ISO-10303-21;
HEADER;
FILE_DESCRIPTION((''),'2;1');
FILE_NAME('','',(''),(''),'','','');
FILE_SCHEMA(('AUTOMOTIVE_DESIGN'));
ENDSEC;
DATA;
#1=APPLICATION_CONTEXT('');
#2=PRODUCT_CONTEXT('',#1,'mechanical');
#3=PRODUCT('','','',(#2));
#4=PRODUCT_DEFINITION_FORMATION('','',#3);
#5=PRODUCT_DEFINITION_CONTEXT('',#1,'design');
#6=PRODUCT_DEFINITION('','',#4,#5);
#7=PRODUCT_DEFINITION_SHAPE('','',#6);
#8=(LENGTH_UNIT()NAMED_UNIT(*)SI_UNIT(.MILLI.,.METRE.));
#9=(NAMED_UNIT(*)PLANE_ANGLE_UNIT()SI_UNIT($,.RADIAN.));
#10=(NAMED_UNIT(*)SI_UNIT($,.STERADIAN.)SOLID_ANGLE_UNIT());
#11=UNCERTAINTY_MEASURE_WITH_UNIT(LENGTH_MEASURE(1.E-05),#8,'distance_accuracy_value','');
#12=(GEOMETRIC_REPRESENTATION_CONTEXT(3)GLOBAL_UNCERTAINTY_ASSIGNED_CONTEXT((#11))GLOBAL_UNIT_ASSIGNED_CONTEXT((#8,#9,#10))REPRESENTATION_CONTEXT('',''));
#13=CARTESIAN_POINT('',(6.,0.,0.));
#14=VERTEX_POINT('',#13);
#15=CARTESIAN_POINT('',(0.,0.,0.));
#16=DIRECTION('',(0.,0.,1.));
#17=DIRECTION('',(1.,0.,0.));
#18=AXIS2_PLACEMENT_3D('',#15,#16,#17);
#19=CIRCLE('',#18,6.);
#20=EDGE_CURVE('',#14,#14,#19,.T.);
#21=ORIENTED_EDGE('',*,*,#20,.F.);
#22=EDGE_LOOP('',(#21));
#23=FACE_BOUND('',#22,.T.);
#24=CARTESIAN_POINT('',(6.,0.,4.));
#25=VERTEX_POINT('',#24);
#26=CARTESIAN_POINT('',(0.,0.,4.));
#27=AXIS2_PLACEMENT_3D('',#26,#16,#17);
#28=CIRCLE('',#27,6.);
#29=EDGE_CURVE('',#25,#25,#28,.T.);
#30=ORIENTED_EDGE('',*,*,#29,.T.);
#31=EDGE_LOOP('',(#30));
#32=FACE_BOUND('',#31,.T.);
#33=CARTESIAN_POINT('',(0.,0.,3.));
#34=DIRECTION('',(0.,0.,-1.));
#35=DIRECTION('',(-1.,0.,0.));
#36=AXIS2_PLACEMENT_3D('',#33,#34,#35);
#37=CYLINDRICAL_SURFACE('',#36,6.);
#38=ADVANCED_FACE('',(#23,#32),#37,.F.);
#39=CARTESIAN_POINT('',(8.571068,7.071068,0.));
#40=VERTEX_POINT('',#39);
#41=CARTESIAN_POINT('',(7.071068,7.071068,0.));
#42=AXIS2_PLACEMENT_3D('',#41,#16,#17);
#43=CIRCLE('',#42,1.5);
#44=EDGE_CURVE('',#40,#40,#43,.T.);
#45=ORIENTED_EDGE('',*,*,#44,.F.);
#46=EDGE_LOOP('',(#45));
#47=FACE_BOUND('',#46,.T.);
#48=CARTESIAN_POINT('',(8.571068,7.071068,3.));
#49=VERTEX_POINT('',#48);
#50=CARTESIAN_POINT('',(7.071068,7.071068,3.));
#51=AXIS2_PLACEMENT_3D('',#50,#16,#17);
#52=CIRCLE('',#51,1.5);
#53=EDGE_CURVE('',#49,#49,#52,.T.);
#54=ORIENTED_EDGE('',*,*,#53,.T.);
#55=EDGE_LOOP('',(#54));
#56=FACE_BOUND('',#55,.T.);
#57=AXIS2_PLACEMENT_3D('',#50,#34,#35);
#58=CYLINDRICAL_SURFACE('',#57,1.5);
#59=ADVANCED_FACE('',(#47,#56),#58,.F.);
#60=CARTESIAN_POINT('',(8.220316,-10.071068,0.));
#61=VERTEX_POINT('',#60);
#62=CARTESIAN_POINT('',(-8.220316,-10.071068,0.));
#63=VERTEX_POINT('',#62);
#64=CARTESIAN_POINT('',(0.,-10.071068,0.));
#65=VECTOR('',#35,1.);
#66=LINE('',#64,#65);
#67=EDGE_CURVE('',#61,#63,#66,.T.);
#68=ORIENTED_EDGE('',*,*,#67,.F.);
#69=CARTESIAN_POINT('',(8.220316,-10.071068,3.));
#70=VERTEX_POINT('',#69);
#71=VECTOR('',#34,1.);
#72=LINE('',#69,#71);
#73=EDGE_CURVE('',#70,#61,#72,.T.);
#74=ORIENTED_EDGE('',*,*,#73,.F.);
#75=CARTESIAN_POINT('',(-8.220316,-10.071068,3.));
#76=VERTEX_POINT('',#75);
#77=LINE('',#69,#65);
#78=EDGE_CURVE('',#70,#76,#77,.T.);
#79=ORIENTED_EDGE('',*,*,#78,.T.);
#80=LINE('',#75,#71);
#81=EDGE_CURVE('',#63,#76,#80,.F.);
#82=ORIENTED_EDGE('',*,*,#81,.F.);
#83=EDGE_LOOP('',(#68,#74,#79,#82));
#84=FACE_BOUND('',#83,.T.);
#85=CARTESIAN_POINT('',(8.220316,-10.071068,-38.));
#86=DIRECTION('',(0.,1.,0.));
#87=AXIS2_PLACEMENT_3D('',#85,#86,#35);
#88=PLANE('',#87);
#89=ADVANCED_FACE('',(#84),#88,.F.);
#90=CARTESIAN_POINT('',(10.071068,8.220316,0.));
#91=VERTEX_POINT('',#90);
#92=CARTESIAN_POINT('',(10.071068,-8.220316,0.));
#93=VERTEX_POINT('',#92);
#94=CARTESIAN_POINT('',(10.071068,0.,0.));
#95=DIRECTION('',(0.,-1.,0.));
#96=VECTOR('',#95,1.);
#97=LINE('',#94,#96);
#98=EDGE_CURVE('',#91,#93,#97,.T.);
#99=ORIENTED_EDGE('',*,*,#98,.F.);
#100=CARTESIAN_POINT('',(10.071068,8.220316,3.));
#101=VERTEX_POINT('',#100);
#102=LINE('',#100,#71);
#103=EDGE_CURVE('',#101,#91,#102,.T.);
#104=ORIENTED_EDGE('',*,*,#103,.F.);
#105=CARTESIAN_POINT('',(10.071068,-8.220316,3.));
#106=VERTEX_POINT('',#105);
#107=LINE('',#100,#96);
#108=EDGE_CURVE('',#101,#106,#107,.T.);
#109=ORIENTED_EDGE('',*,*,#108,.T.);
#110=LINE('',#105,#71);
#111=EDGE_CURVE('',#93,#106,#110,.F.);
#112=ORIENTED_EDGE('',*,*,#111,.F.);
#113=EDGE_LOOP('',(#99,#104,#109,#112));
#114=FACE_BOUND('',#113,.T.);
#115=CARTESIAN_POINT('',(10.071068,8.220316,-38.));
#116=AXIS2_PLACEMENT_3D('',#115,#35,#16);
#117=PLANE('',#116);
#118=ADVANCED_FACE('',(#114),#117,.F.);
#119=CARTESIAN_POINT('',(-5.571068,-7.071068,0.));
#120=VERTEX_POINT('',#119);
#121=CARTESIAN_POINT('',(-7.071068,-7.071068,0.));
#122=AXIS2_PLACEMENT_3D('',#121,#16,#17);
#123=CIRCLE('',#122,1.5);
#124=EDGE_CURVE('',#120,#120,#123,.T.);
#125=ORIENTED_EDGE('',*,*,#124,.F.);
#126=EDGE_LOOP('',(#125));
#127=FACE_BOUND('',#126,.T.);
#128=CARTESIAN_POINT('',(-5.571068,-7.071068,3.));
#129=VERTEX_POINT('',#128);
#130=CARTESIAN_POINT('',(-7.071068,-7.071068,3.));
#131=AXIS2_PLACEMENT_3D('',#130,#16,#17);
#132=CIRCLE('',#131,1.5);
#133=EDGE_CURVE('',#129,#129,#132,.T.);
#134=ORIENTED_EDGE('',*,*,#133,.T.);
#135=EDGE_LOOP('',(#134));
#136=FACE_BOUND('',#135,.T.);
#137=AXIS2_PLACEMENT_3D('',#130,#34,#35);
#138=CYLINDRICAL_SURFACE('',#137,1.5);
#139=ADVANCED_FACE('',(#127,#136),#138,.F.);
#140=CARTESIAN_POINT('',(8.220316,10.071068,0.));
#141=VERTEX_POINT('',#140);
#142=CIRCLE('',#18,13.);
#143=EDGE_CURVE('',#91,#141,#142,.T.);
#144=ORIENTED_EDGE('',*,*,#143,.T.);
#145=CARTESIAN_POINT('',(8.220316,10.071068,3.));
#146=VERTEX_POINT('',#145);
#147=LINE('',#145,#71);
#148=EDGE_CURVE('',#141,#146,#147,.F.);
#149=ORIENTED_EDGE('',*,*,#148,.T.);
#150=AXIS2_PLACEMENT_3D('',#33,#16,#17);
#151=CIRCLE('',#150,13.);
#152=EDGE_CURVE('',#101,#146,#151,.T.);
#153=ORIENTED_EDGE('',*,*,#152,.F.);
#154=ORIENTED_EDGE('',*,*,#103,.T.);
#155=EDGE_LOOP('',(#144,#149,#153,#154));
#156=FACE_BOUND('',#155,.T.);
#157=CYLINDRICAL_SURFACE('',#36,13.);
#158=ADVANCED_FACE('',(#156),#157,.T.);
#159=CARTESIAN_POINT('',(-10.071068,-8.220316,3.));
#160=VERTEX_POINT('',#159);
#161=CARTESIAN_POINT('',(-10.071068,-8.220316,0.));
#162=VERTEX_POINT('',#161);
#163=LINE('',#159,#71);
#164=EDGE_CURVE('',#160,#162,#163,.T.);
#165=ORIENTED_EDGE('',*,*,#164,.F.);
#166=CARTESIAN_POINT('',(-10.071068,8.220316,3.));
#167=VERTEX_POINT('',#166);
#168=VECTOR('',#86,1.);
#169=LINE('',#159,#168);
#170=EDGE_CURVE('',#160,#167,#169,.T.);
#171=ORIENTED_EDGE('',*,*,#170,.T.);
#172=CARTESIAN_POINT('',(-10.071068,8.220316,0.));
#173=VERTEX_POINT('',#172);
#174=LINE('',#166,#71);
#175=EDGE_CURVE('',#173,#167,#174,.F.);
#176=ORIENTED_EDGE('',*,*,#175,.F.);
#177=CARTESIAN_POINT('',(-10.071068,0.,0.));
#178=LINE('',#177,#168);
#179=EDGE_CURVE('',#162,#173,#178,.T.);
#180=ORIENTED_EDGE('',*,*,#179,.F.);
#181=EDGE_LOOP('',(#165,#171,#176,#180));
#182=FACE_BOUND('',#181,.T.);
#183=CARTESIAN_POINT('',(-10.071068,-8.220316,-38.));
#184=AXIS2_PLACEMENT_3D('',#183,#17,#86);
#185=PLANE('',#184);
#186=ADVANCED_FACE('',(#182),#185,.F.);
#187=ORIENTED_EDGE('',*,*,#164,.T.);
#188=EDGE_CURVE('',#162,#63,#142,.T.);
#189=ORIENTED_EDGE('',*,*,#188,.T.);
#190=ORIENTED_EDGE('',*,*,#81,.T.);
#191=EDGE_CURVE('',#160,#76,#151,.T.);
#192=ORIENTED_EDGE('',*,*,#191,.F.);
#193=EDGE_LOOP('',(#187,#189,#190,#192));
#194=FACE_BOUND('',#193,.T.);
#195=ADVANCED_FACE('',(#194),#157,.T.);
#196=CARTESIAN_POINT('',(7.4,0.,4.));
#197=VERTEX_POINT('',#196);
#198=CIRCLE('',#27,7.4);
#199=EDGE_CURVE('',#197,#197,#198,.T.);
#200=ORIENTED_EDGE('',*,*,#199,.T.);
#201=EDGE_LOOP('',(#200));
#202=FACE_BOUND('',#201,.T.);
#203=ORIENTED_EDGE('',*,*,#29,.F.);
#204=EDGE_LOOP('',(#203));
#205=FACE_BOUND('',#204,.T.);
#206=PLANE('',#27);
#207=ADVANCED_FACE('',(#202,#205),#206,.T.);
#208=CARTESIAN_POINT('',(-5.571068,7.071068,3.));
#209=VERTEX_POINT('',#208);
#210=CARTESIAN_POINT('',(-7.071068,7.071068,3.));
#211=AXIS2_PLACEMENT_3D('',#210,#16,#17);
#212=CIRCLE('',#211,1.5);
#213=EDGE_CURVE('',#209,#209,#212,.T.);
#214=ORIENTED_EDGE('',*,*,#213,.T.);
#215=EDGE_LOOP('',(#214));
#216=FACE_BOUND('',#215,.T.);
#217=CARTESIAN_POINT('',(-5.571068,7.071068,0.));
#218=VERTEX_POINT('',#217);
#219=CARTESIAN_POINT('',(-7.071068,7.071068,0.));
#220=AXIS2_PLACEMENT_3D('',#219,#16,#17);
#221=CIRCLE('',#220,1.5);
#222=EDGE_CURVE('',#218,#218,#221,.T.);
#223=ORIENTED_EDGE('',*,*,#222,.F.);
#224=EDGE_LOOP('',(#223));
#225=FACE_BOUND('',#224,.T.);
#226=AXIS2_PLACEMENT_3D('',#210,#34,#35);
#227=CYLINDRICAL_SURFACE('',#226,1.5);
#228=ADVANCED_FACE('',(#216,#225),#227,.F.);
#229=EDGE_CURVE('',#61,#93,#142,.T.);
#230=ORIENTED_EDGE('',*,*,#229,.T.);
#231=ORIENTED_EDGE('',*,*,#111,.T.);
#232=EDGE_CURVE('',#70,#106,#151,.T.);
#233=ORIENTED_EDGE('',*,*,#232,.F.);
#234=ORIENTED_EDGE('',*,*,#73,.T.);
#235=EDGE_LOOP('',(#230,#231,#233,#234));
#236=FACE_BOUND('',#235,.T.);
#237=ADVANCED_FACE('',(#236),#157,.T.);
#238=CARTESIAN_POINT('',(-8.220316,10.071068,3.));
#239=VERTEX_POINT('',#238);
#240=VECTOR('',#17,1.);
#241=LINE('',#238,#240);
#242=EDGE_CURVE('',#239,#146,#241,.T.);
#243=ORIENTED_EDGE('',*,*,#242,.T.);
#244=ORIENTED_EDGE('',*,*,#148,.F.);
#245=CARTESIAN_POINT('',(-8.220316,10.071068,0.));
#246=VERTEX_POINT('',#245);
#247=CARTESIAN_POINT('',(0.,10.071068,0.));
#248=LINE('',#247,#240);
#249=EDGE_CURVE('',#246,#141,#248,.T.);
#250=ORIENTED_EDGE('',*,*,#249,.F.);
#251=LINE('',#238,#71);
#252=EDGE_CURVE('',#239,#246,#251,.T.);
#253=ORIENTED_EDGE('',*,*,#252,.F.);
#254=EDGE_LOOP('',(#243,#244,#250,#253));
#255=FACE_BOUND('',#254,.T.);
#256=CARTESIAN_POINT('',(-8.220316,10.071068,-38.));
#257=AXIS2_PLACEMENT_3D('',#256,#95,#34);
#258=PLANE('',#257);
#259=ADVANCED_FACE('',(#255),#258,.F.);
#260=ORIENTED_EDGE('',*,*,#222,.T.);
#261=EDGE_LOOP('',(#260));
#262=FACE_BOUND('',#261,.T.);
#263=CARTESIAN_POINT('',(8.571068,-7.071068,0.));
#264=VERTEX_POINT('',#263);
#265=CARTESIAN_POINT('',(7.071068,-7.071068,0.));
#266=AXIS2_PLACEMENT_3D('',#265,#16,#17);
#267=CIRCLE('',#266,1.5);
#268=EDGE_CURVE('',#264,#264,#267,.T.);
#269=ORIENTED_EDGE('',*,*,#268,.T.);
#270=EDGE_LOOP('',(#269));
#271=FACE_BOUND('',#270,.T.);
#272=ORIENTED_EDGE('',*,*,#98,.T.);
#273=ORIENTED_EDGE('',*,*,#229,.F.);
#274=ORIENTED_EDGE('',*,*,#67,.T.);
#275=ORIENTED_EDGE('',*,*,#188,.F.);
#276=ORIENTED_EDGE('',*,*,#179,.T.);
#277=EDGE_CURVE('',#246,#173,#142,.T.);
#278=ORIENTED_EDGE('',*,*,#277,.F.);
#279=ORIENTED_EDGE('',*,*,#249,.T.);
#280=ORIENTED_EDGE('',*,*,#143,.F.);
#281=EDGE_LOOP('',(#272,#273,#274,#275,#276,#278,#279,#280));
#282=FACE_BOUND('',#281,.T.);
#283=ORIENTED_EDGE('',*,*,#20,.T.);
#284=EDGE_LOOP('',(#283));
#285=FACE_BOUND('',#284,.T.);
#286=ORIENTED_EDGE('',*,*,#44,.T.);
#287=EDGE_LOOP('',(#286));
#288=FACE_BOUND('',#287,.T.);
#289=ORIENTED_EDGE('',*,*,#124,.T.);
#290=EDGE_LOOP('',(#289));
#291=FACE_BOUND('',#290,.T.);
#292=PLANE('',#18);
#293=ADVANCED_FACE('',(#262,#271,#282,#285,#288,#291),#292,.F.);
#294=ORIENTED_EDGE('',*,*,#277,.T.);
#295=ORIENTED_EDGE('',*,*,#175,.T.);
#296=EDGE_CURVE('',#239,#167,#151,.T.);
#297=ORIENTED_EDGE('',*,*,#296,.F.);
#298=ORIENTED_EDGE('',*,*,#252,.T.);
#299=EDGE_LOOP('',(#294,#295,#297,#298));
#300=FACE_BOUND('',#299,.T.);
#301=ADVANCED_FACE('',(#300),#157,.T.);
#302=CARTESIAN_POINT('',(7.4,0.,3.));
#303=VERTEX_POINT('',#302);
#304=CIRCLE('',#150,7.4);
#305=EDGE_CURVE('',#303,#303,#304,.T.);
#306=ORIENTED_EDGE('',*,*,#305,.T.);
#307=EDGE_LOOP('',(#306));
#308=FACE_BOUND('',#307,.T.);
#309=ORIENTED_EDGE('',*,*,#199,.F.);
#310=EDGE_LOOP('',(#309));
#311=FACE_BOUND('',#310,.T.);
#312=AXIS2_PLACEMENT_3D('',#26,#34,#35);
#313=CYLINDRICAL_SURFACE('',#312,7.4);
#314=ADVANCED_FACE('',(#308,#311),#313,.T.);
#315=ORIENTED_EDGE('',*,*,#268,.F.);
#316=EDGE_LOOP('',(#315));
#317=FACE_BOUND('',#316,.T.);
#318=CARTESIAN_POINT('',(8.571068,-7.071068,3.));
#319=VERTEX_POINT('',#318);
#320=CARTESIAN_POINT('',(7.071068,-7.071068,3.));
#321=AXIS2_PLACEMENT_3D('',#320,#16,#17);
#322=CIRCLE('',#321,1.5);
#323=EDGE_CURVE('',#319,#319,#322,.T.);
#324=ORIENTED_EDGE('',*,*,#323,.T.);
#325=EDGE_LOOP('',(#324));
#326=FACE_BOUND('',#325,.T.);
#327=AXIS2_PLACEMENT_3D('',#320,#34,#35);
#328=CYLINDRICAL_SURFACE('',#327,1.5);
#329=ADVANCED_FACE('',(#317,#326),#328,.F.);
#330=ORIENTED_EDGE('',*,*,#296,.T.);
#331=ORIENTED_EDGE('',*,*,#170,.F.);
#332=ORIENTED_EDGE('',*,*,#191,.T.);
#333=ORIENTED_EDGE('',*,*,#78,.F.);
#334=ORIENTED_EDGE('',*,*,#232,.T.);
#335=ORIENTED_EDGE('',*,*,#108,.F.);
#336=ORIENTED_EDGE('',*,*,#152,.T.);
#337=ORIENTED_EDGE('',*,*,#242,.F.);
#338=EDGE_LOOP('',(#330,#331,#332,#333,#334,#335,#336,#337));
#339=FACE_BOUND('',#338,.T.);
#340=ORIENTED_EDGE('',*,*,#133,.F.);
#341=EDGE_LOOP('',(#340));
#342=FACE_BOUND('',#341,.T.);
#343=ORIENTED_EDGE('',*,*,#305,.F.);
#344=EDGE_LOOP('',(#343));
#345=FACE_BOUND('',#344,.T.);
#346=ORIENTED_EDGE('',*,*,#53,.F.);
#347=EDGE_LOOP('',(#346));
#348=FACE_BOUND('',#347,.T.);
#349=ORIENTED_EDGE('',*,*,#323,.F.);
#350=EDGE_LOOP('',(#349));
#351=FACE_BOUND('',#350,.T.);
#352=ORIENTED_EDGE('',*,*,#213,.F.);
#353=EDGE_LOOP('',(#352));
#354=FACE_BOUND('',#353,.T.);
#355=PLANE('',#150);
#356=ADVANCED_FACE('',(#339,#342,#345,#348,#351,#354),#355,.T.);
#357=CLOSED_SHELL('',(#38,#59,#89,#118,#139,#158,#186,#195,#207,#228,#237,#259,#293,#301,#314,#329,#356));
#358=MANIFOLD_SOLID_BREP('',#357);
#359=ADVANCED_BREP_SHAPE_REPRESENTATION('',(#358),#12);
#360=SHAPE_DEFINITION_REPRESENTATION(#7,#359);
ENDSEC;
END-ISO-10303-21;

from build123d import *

# Parameters (mm, degrees)
SKETCH_1_R          = 13
SKETCH_1_R_2        = 6
SKETCH_1_R_3        = 1.5
EXTRUDE_1_DEPTH     = 3
SKETCH_2_R          = 7.4
SKETCH_2_R_2        = 6
EXTRUDE_2_DEPTH     = 1
CUT_EXTRUDE_START   = -41
CUT_EXTRUDE_1_DEPTH = 41


with BuildPart() as part:
    # 草图1 → 凸台-拉伸1 (new body)
    with BuildSketch(Plane.XY):
        Circle(SKETCH_1_R)
        Circle(SKETCH_1_R_2, mode=Mode.SUBTRACT)
        with Locations((-7.071067812, 7.071067812)):
            Circle(SKETCH_1_R_3, mode=Mode.SUBTRACT)
        with Locations((7.071067812, 7.071067812)):
            Circle(SKETCH_1_R_3, mode=Mode.SUBTRACT)
        with Locations((7.071067812, -7.071067812)):
            Circle(SKETCH_1_R_3, mode=Mode.SUBTRACT)
        with Locations((-7.071067812, -7.071067812)):
            Circle(SKETCH_1_R_3, mode=Mode.SUBTRACT)
    extrude(amount=EXTRUDE_1_DEPTH)

    # 草图2 → 凸台-拉伸2 (add)
    with BuildSketch(Plane.XY.offset(3)):
        Circle(SKETCH_2_R)
        Circle(SKETCH_2_R_2, mode=Mode.SUBTRACT)
    extrude(amount=EXTRUDE_2_DEPTH)

    # 草图3 → 切除-拉伸1 (cut)
    with BuildSketch(Plane.XY.offset(3).offset(CUT_EXTRUDE_START)):
        with BuildLine():
            Line((-8.220315878, 10.071067812), (8.220315878, 10.071067812))
            ThreePointArc((8.220315878, 10.071067812), (0, 13), (-8.220315878, 10.071067812))
        make_face()
        with BuildLine():
            Line((10.071067812, 8.220315878), (10.071067812, -8.220315878))
            ThreePointArc((10.071067812, -8.220315878), (13, 0), (10.071067812, 8.220315878))
        make_face()
        with BuildLine():
            Line((8.220315878, -10.071067812), (-8.220315878, -10.071067812))
            ThreePointArc((-8.220315878, -10.071067812), (0, -13), (8.220315878, -10.071067812))
        make_face()
        with BuildLine():
            Line((-10.071067812, -8.220315878), (-10.071067812, 8.220315878))
            ThreePointArc((-10.071067812, 8.220315878), (-13, 0), (-10.071067812, -8.220315878))
        make_face()
    extrude(amount=CUT_EXTRUDE_1_DEPTH, mode=Mode.SUBTRACT)


solid = part.part
